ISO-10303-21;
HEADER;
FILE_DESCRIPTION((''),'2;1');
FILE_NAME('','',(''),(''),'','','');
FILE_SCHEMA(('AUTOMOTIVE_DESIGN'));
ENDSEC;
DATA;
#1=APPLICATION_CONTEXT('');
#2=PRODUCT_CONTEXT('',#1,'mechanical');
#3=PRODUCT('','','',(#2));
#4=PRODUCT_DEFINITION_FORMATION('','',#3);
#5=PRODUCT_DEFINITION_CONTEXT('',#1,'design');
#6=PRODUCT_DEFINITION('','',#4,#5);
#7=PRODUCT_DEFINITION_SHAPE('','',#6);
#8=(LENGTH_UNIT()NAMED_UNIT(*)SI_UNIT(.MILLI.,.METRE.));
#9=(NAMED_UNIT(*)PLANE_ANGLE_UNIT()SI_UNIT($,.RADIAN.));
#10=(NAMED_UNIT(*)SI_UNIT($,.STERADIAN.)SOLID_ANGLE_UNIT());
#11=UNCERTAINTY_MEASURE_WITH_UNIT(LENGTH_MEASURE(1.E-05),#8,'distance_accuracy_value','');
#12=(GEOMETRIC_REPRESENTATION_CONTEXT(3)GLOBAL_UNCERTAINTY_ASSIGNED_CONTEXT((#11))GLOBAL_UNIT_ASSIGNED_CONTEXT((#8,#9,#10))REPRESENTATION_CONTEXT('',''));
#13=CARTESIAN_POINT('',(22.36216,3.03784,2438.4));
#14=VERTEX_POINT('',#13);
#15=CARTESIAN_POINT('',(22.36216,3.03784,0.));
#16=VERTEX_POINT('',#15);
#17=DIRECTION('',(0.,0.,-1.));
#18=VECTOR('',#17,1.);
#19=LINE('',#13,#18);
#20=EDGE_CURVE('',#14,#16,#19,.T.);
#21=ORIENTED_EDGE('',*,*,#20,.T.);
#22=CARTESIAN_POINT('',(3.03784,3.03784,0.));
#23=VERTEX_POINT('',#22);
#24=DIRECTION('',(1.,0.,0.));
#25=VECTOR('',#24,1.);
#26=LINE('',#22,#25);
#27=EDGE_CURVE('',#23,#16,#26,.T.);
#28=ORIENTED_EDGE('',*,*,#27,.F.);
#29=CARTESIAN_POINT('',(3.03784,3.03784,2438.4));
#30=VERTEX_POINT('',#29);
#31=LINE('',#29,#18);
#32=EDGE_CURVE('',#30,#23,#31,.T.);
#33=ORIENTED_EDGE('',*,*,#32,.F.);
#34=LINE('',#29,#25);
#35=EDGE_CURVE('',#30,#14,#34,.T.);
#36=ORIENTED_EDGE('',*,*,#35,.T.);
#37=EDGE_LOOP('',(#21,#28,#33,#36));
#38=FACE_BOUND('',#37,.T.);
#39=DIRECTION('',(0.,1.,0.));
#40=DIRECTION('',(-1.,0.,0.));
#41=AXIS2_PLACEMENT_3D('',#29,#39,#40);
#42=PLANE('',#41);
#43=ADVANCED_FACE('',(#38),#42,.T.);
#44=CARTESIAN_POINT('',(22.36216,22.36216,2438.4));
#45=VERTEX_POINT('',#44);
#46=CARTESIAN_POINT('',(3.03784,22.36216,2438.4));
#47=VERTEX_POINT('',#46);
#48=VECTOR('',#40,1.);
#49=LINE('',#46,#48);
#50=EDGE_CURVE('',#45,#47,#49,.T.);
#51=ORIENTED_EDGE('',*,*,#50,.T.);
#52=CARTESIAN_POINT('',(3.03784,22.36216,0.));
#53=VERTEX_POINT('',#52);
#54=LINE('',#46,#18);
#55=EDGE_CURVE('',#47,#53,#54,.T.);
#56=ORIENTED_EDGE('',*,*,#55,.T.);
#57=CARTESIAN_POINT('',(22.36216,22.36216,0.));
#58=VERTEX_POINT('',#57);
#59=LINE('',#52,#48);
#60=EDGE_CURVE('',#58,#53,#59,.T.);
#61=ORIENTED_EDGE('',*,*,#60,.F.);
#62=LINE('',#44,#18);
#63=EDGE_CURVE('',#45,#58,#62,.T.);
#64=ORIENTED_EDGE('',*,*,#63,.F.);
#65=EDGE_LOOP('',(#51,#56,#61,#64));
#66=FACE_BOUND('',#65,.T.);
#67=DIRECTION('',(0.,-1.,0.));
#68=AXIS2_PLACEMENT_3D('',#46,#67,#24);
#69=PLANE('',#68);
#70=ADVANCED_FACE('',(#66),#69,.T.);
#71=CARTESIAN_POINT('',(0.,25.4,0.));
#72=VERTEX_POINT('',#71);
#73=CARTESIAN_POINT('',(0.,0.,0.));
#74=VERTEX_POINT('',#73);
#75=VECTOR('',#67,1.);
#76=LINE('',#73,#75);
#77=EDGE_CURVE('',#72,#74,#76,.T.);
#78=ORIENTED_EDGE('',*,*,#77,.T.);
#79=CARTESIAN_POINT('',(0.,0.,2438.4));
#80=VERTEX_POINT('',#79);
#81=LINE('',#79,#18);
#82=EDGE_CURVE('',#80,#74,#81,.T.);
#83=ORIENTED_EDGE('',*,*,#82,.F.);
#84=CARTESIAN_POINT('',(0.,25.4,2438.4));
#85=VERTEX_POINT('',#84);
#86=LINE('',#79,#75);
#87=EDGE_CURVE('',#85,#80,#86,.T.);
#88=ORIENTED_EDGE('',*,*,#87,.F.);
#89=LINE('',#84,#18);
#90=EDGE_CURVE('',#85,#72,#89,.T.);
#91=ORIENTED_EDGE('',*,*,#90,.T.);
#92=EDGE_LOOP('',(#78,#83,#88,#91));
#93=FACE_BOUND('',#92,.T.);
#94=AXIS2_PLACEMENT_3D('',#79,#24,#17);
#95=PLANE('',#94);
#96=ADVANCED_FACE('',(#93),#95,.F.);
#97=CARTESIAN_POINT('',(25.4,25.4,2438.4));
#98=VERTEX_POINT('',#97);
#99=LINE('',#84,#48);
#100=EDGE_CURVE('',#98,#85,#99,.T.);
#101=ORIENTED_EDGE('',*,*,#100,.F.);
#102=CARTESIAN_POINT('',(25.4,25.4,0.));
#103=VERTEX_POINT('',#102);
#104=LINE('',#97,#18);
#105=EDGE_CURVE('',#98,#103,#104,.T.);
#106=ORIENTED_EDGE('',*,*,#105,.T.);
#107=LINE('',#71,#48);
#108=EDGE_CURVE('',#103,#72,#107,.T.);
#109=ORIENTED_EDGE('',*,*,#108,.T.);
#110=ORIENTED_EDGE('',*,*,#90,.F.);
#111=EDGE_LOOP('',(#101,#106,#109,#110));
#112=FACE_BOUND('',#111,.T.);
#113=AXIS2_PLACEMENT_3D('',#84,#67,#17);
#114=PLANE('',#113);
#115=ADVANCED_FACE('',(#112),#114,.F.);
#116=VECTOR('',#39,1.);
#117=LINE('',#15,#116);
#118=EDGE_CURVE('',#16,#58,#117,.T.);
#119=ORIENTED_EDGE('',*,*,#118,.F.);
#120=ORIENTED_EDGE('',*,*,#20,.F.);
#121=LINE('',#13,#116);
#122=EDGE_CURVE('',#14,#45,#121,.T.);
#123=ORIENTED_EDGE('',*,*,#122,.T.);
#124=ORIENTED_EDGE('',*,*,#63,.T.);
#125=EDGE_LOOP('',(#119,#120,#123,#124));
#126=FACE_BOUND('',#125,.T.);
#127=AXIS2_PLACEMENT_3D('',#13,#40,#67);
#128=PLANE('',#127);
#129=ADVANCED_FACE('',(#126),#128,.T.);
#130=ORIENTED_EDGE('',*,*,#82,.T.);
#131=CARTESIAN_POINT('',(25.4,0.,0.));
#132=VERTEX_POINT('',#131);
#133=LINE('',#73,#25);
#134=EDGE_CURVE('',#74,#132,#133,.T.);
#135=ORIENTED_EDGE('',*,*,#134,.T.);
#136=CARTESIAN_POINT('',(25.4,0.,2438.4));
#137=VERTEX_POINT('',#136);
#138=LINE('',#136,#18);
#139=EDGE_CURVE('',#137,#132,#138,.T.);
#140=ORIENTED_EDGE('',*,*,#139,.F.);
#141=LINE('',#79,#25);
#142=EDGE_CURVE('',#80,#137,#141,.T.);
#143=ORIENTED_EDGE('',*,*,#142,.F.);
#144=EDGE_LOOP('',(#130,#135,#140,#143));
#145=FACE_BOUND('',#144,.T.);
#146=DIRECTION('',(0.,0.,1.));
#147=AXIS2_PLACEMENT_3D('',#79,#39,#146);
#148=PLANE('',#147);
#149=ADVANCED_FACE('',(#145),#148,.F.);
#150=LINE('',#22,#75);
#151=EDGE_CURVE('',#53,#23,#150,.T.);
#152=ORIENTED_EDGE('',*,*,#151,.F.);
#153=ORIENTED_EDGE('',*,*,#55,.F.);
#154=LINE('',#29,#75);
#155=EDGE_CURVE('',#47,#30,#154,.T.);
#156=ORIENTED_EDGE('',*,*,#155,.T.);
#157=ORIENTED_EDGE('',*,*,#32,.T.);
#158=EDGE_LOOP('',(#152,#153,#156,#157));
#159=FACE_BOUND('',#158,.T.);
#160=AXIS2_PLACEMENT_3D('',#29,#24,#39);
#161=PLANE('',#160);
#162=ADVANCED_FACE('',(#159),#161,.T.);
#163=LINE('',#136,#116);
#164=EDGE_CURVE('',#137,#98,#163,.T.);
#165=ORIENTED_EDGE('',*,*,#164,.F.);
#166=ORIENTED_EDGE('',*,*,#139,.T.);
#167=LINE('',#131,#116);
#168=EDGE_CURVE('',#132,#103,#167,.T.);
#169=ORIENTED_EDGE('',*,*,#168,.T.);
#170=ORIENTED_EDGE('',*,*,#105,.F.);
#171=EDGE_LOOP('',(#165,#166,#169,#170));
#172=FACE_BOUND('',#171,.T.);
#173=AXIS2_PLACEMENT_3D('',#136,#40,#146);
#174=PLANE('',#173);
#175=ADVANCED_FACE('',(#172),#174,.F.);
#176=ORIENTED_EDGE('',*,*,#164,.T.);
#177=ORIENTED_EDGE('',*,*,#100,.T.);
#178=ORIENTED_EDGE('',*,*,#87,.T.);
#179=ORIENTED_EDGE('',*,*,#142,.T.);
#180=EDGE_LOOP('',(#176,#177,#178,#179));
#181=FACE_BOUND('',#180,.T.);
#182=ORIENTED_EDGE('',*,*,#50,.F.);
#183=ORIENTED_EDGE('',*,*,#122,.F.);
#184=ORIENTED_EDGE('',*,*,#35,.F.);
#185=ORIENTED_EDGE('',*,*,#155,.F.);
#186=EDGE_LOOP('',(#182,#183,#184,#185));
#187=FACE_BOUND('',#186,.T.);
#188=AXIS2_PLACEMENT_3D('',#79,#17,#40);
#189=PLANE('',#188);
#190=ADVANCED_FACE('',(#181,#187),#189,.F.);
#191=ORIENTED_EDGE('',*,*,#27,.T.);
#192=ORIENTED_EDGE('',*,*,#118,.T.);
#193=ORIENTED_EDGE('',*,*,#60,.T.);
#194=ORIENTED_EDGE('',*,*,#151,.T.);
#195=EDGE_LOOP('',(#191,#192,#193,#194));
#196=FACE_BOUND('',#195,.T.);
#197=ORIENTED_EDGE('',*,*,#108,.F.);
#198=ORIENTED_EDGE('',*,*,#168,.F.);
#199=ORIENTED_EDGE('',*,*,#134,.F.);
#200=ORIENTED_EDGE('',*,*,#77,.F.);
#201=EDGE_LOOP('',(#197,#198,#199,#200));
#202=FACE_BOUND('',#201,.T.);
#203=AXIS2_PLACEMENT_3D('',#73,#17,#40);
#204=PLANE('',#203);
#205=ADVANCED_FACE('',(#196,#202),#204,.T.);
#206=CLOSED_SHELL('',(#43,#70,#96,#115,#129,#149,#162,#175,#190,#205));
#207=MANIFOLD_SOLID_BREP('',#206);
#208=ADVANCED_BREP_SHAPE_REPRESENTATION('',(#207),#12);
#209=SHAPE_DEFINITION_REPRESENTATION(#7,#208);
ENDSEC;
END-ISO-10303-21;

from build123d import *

# Parameters (mm, degrees)
SKETCH1_W           = 25.4
SKETCH1_H           = 25.4
SKETCH1_W_2         = 19.32432
SKETCH1_H_2         = 19.32432
BOSS_EXTRUDE1_DEPTH = 2438.4


with BuildPart() as part:
    # Sketch1 → Boss-Extrude1 (new body)
    with BuildSketch(Plane.XY):
        with Locations((12.7, 12.7)):
            Rectangle(SKETCH1_W, SKETCH1_H)
        with Locations((12.7, 12.7)):
            Rectangle(SKETCH1_W_2, SKETCH1_H_2, mode=Mode.SUBTRACT)
    extrude(amount=BOSS_EXTRUDE1_DEPTH)


solid = part.part
